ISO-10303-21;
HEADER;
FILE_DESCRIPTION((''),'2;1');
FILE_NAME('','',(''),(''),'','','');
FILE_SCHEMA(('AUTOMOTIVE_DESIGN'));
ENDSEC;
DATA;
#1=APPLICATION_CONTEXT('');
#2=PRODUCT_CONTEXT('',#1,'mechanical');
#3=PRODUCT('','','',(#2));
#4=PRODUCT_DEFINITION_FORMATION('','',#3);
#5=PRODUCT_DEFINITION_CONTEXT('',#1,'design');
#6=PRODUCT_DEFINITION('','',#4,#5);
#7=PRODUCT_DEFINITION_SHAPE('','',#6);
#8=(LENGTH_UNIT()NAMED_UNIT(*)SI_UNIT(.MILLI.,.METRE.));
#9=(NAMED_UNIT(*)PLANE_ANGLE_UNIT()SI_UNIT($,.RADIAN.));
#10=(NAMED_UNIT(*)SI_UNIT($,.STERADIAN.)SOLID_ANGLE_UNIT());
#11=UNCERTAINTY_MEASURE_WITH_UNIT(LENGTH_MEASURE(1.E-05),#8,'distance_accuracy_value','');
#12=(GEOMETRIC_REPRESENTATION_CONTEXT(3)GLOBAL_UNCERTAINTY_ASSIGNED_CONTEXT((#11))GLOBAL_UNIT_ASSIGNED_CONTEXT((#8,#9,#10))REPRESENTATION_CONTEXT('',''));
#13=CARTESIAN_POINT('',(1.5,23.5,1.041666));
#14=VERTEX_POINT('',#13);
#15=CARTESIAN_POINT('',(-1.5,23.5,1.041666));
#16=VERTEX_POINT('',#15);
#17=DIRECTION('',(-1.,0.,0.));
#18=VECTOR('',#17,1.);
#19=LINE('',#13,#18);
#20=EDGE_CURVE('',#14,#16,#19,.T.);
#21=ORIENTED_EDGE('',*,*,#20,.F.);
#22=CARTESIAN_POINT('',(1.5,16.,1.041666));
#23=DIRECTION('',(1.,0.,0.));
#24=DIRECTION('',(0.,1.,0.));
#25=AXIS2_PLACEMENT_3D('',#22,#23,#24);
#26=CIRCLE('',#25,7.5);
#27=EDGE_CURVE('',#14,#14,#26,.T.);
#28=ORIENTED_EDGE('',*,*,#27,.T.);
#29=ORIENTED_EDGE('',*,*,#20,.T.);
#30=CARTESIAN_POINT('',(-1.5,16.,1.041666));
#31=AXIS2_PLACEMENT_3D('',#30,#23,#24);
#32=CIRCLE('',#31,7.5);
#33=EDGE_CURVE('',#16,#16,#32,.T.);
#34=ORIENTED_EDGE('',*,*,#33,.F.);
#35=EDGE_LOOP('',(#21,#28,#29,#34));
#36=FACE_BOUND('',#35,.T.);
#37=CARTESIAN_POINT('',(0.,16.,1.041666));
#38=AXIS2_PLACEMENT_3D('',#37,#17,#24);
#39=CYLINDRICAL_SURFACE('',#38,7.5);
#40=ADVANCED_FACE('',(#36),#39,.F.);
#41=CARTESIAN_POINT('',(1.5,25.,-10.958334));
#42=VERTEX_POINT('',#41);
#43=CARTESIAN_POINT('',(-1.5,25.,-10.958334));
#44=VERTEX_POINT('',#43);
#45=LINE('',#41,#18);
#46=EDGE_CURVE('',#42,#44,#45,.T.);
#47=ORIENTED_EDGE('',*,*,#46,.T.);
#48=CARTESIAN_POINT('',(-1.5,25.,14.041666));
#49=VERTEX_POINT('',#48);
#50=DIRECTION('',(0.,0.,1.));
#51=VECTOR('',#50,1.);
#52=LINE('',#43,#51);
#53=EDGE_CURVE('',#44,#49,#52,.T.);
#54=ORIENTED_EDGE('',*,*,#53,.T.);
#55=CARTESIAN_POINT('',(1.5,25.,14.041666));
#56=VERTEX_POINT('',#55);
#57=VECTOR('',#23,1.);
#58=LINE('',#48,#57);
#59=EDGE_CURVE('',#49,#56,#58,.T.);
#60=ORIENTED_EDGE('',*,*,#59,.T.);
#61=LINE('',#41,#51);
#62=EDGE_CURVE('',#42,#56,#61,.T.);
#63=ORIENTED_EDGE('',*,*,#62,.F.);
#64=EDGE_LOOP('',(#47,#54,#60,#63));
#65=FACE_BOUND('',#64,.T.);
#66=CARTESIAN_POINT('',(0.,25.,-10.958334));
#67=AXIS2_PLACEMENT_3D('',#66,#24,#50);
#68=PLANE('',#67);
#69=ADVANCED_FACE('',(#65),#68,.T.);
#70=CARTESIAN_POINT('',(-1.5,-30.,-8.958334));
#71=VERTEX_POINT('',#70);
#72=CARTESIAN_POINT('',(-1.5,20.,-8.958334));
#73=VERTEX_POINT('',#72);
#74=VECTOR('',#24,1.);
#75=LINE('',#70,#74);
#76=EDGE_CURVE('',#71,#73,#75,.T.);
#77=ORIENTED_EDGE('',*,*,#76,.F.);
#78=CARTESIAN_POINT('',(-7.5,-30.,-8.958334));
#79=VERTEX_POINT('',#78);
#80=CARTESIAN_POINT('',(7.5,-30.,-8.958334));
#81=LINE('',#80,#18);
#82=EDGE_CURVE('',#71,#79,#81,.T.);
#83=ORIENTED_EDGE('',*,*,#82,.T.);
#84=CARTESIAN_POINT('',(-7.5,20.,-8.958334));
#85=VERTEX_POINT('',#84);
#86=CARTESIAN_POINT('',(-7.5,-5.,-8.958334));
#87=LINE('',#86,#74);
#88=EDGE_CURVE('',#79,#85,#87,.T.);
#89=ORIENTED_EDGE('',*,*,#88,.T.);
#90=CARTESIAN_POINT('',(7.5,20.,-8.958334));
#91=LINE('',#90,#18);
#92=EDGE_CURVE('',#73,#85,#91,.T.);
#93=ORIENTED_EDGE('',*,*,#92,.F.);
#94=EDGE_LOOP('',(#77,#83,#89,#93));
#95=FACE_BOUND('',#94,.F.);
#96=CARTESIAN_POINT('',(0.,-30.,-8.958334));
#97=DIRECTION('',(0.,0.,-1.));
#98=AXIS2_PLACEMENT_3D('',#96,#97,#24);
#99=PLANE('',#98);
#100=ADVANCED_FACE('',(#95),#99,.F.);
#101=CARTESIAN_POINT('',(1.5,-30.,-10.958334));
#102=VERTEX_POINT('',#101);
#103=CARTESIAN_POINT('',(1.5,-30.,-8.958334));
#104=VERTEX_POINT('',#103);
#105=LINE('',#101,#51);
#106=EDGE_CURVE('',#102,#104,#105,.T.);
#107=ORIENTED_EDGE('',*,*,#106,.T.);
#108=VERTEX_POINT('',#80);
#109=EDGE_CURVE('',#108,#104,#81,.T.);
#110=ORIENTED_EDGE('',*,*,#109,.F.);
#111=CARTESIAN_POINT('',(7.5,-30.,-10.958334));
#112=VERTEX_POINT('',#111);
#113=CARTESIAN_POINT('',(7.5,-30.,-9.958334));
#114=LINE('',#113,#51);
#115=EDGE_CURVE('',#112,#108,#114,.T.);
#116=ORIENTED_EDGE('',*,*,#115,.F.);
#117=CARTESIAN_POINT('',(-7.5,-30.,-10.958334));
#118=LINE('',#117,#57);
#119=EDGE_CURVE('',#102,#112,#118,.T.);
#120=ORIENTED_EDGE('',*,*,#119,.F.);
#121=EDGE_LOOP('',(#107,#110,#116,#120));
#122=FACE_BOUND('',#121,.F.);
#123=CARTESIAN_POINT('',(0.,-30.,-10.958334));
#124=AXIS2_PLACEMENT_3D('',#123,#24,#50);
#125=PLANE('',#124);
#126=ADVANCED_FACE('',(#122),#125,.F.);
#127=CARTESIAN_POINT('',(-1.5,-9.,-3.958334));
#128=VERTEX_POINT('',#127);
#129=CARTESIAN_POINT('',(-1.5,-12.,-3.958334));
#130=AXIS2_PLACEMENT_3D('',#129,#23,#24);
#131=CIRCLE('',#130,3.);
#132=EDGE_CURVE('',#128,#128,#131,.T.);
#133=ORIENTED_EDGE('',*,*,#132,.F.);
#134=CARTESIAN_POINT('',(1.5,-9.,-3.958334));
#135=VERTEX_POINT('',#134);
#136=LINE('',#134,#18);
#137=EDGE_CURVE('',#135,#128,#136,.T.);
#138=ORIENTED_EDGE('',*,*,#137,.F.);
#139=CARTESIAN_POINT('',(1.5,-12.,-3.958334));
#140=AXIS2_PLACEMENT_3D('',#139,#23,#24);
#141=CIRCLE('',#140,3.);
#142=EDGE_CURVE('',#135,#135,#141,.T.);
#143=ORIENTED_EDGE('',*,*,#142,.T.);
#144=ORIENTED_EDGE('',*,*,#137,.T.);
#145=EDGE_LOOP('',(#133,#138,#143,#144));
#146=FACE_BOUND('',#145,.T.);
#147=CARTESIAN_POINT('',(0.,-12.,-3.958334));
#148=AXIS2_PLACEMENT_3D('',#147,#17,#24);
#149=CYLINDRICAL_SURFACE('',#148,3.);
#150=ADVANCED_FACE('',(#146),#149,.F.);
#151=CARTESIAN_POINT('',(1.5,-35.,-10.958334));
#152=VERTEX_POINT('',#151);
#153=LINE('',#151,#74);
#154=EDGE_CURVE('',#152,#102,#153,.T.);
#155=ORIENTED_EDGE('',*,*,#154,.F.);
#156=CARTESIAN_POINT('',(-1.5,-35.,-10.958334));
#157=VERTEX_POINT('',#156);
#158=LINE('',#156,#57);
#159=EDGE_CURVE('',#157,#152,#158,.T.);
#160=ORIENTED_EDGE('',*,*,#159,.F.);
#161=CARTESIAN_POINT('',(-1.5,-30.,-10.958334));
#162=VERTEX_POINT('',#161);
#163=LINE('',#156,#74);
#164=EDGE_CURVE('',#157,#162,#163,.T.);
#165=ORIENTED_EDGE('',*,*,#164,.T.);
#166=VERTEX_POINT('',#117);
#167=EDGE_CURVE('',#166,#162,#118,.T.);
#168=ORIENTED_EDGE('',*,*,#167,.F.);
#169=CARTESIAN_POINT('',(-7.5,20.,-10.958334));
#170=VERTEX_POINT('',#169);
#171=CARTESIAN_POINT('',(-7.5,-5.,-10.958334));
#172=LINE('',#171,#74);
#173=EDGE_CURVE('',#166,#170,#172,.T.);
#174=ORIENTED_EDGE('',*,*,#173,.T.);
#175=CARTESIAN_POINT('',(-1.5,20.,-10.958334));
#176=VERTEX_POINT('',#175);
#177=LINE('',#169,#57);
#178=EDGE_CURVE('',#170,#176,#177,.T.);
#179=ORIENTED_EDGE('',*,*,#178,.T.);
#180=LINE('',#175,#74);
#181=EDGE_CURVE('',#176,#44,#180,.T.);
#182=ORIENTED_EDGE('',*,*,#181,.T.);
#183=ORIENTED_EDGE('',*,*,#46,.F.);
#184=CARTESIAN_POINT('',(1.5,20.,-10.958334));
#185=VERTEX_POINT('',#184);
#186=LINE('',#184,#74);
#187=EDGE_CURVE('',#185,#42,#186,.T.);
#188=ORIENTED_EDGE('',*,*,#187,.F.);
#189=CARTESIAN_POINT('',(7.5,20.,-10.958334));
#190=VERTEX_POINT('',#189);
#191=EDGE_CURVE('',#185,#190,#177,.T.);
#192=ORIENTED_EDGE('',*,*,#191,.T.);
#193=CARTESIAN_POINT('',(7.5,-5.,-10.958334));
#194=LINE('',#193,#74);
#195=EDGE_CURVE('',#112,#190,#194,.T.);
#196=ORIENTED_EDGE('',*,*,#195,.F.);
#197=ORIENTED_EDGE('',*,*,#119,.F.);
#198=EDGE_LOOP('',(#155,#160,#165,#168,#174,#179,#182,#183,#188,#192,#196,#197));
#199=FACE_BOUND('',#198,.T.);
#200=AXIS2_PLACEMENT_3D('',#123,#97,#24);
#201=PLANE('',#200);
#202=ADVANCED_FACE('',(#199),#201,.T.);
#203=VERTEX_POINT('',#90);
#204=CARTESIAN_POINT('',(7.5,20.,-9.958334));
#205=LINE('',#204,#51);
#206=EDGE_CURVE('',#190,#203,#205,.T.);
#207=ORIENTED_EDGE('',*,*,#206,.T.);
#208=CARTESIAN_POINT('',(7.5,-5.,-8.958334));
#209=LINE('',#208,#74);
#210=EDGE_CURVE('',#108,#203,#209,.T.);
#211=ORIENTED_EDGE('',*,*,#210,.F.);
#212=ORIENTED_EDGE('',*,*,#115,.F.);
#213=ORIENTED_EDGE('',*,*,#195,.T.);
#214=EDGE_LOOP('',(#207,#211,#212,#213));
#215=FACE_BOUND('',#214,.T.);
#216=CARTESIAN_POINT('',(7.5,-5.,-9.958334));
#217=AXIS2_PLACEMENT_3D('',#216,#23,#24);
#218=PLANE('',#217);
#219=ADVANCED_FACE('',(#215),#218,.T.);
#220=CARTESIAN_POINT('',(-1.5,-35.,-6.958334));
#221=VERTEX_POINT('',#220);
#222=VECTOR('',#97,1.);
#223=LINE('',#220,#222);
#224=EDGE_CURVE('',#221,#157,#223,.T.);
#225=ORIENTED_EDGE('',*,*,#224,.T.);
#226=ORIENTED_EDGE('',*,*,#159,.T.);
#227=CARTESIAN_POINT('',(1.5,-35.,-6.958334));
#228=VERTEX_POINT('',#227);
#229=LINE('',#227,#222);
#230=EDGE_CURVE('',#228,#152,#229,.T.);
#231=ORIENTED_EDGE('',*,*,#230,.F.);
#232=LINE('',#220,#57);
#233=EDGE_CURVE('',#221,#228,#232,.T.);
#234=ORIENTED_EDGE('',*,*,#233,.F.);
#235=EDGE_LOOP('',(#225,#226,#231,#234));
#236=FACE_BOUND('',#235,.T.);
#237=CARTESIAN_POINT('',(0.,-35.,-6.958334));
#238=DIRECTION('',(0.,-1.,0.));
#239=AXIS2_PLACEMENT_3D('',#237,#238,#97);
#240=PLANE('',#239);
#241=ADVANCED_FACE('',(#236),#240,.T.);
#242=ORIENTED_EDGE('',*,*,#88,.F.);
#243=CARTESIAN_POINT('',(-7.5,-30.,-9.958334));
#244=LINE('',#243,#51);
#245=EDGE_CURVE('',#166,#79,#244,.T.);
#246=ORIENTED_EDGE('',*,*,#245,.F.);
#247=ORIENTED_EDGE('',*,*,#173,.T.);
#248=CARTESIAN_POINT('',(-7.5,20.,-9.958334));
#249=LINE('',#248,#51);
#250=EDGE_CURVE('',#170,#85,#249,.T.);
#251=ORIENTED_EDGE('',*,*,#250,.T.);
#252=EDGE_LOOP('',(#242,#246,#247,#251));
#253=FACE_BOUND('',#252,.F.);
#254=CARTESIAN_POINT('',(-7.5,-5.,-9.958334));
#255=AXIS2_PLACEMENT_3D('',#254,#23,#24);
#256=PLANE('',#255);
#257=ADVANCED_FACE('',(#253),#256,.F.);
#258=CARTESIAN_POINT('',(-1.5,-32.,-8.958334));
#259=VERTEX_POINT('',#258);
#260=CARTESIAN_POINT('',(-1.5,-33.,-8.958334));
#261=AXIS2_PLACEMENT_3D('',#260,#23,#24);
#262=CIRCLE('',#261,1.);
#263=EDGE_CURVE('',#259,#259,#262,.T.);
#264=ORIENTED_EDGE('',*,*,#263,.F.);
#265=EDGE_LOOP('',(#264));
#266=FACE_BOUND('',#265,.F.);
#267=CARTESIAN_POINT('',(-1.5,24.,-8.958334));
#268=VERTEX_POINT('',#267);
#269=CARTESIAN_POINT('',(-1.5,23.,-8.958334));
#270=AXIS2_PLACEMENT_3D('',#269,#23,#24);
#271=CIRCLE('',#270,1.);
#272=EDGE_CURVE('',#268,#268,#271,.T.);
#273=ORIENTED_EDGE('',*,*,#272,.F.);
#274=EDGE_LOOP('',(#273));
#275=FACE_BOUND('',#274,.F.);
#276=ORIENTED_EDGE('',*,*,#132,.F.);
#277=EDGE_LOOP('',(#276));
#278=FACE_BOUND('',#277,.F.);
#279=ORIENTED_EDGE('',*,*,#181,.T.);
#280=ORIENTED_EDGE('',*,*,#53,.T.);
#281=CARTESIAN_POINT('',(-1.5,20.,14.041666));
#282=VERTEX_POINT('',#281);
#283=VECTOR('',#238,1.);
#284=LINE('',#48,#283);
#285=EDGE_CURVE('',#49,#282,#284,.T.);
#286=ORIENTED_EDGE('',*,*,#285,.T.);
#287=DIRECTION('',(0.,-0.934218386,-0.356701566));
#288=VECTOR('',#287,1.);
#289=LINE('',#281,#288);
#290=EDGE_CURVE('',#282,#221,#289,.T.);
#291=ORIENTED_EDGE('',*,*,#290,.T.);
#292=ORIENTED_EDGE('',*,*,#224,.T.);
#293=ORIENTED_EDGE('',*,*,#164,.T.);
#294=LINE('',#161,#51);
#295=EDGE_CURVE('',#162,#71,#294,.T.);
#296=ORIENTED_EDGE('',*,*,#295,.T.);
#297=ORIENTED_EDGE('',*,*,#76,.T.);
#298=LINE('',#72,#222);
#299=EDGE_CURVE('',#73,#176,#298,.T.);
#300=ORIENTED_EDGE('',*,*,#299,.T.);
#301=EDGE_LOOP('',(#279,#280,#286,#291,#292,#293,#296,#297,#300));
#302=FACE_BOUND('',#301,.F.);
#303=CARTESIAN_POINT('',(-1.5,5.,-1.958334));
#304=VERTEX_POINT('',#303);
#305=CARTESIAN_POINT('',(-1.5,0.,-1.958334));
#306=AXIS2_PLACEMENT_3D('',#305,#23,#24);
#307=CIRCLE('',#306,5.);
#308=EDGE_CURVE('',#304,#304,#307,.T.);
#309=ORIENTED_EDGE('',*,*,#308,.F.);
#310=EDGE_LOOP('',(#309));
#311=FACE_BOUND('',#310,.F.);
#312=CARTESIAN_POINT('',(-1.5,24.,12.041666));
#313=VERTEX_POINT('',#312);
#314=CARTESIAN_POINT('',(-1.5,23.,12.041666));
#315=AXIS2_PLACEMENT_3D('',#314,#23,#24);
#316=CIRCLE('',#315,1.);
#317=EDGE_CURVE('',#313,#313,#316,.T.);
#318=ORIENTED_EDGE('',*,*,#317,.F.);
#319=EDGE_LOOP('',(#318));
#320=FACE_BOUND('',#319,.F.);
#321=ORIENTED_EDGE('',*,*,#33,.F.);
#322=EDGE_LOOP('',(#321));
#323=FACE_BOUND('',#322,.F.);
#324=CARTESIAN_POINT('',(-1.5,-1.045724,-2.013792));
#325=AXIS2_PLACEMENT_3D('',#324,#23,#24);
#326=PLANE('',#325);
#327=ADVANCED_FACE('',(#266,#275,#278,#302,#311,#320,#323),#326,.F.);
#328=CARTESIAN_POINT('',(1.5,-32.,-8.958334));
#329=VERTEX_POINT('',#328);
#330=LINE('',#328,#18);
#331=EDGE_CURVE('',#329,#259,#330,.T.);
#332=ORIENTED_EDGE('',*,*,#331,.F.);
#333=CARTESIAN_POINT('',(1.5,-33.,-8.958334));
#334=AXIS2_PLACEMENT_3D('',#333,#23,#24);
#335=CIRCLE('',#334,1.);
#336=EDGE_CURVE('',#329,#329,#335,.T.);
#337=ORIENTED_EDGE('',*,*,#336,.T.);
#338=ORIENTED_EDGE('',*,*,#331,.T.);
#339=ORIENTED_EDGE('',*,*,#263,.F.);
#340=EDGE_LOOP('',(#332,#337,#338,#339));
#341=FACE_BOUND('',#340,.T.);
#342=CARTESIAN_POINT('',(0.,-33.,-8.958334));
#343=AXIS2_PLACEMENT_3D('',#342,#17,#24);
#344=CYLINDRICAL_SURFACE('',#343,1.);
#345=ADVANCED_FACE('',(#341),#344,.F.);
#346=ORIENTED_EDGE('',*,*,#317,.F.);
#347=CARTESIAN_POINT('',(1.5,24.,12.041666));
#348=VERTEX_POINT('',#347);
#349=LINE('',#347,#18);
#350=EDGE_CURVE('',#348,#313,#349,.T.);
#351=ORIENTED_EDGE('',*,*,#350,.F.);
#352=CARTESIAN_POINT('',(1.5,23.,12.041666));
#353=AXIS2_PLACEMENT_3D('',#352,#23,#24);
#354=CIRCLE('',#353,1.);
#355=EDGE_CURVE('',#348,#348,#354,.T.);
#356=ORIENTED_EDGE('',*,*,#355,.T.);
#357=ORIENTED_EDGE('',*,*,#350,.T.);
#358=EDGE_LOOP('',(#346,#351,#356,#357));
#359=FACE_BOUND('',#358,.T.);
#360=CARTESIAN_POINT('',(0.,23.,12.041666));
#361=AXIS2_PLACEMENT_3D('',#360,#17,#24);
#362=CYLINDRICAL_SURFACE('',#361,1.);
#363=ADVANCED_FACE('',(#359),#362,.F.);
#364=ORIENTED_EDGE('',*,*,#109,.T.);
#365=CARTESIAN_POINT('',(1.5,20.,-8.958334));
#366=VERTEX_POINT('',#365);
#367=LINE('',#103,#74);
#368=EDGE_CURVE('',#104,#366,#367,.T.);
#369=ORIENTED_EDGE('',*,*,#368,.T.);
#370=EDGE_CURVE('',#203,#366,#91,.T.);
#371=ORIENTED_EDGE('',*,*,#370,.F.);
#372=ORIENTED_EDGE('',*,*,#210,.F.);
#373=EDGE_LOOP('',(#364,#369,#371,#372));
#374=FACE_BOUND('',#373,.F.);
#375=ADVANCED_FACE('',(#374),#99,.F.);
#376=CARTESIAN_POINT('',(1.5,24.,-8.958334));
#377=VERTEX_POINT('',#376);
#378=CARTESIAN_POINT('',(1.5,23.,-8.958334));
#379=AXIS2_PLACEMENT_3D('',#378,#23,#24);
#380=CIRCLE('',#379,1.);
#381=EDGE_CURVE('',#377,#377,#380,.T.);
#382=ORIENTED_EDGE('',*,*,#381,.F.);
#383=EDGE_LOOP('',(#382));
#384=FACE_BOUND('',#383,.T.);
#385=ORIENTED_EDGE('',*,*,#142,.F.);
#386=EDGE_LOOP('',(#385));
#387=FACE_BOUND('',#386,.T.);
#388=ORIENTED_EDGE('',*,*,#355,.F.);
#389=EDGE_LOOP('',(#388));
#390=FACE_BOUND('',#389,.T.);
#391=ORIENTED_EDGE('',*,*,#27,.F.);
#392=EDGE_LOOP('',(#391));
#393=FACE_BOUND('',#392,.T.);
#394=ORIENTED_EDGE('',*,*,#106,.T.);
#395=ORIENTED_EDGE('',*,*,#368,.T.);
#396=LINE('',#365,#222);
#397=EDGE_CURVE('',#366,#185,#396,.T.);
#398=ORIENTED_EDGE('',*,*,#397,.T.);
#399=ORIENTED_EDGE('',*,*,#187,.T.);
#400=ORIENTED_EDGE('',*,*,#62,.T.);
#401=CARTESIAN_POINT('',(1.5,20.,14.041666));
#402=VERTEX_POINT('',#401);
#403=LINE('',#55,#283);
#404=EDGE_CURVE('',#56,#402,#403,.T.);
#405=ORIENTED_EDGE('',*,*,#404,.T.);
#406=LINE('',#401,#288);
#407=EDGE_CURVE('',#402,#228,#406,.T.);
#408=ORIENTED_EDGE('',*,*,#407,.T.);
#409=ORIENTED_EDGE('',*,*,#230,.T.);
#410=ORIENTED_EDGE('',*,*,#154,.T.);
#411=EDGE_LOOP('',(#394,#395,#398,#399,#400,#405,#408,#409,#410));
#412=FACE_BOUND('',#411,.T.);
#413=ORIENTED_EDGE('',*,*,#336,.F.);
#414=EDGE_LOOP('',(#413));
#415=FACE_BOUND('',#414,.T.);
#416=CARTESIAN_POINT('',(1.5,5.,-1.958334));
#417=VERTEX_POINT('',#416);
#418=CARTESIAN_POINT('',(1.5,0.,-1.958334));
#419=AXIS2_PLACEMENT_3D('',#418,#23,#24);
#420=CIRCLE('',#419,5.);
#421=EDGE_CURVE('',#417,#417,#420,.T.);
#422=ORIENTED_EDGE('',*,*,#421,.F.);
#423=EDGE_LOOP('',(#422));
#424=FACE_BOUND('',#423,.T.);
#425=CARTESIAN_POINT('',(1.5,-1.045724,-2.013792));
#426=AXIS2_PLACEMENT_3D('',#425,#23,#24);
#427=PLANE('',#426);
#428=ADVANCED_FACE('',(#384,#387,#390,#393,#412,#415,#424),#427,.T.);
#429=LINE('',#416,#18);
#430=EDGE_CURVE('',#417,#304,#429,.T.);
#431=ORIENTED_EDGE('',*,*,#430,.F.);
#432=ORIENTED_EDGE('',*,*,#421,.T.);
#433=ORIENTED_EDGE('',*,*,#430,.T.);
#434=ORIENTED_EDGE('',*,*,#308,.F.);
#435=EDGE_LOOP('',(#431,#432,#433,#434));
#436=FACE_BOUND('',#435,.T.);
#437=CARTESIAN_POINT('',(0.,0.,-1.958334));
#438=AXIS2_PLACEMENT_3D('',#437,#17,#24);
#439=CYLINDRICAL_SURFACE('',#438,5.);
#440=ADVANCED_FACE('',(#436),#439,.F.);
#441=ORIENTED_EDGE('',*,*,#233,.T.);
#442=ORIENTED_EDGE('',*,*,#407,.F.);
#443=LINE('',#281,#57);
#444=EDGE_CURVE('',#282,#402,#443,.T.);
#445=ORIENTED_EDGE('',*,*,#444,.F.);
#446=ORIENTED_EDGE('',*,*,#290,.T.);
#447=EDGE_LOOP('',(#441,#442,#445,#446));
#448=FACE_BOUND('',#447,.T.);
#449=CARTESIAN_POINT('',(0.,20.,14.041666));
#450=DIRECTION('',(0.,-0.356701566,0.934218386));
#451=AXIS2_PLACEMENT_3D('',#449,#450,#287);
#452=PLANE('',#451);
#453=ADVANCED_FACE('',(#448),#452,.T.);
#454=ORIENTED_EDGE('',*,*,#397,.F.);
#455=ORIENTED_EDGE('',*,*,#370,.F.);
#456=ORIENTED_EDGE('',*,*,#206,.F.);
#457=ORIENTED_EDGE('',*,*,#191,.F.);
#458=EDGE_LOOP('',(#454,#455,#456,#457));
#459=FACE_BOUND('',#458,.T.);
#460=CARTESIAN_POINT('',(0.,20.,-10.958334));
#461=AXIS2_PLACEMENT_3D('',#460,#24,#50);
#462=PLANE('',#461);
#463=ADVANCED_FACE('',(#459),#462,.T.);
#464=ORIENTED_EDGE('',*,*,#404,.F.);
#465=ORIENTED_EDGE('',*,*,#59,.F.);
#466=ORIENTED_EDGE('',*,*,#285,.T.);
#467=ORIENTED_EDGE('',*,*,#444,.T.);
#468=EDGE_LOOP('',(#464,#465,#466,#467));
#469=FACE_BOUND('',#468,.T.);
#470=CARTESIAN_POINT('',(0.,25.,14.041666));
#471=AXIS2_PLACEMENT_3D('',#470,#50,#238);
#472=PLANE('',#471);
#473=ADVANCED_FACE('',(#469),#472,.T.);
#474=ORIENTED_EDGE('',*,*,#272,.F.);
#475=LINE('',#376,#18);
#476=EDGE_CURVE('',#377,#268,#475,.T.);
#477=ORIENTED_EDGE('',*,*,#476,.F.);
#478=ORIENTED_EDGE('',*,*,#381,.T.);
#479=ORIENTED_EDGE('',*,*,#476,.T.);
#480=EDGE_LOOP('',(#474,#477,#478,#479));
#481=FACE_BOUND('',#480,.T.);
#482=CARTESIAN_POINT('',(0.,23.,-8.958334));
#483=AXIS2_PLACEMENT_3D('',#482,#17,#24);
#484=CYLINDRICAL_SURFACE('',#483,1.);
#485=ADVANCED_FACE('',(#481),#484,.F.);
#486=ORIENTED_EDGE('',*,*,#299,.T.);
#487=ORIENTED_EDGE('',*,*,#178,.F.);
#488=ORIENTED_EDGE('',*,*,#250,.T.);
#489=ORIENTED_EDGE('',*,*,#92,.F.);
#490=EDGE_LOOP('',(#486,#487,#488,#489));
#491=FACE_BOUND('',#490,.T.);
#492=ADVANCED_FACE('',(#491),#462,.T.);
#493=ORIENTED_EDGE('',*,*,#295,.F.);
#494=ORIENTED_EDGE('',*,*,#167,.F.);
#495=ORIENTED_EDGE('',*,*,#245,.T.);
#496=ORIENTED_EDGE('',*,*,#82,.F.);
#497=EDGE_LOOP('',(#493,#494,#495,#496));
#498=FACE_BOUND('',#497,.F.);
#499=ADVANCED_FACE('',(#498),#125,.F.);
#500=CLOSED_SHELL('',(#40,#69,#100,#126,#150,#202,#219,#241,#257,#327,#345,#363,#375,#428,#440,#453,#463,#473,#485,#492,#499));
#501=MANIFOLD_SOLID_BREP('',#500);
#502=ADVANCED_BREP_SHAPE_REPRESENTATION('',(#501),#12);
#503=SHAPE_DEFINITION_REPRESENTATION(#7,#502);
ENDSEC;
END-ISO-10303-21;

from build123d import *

# Parameters (mm, degrees)
F0_W     = 50
F0_H     = 2
F1_DEPTH = 7.5
F0_R     = 1
F0_R_2   = 3
F0_R_3   = 5
F0_R_4   = 7.5
F2_DEPTH = 1.5


with BuildPart() as f1:
    # F0 (on Right) → F1 (new body, symmetric)
    with BuildSketch(Plane.YZ):
        with Locations((-5, -9.958334)):
            Rectangle(F0_W, F0_H)
    extrude(amount=F1_DEPTH, both=True)

    # F0 (on Right) → F2 (join, symmetric)
    with BuildSketch(Plane.YZ):
        Polygon((25, -10.958334), (25, 14.041666), (20, 14.041666), (-35, -6.958334), (-35, -10.958334), (-30, -10.958334), (-30, -8.958334), (20, -8.958334), (20, -10.958334), align=None)
        with Locations((-33, -8.958334)):
            Circle(F0_R, mode=Mode.SUBTRACT)
        with Locations((-12, -3.958334)):
            Circle(F0_R_2, mode=Mode.SUBTRACT)
        with Locations((23, -8.958334)):
            Circle(F0_R, mode=Mode.SUBTRACT)
        with Locations((0, -1.958334)):
            Circle(F0_R_3, mode=Mode.SUBTRACT)
        with Locations((16, 1.041666)):
            Circle(F0_R_4, mode=Mode.SUBTRACT)
        with Locations((23, 12.041666)):
            Circle(F0_R, mode=Mode.SUBTRACT)
    extrude(amount=F2_DEPTH, both=True)


solid = f1.part
